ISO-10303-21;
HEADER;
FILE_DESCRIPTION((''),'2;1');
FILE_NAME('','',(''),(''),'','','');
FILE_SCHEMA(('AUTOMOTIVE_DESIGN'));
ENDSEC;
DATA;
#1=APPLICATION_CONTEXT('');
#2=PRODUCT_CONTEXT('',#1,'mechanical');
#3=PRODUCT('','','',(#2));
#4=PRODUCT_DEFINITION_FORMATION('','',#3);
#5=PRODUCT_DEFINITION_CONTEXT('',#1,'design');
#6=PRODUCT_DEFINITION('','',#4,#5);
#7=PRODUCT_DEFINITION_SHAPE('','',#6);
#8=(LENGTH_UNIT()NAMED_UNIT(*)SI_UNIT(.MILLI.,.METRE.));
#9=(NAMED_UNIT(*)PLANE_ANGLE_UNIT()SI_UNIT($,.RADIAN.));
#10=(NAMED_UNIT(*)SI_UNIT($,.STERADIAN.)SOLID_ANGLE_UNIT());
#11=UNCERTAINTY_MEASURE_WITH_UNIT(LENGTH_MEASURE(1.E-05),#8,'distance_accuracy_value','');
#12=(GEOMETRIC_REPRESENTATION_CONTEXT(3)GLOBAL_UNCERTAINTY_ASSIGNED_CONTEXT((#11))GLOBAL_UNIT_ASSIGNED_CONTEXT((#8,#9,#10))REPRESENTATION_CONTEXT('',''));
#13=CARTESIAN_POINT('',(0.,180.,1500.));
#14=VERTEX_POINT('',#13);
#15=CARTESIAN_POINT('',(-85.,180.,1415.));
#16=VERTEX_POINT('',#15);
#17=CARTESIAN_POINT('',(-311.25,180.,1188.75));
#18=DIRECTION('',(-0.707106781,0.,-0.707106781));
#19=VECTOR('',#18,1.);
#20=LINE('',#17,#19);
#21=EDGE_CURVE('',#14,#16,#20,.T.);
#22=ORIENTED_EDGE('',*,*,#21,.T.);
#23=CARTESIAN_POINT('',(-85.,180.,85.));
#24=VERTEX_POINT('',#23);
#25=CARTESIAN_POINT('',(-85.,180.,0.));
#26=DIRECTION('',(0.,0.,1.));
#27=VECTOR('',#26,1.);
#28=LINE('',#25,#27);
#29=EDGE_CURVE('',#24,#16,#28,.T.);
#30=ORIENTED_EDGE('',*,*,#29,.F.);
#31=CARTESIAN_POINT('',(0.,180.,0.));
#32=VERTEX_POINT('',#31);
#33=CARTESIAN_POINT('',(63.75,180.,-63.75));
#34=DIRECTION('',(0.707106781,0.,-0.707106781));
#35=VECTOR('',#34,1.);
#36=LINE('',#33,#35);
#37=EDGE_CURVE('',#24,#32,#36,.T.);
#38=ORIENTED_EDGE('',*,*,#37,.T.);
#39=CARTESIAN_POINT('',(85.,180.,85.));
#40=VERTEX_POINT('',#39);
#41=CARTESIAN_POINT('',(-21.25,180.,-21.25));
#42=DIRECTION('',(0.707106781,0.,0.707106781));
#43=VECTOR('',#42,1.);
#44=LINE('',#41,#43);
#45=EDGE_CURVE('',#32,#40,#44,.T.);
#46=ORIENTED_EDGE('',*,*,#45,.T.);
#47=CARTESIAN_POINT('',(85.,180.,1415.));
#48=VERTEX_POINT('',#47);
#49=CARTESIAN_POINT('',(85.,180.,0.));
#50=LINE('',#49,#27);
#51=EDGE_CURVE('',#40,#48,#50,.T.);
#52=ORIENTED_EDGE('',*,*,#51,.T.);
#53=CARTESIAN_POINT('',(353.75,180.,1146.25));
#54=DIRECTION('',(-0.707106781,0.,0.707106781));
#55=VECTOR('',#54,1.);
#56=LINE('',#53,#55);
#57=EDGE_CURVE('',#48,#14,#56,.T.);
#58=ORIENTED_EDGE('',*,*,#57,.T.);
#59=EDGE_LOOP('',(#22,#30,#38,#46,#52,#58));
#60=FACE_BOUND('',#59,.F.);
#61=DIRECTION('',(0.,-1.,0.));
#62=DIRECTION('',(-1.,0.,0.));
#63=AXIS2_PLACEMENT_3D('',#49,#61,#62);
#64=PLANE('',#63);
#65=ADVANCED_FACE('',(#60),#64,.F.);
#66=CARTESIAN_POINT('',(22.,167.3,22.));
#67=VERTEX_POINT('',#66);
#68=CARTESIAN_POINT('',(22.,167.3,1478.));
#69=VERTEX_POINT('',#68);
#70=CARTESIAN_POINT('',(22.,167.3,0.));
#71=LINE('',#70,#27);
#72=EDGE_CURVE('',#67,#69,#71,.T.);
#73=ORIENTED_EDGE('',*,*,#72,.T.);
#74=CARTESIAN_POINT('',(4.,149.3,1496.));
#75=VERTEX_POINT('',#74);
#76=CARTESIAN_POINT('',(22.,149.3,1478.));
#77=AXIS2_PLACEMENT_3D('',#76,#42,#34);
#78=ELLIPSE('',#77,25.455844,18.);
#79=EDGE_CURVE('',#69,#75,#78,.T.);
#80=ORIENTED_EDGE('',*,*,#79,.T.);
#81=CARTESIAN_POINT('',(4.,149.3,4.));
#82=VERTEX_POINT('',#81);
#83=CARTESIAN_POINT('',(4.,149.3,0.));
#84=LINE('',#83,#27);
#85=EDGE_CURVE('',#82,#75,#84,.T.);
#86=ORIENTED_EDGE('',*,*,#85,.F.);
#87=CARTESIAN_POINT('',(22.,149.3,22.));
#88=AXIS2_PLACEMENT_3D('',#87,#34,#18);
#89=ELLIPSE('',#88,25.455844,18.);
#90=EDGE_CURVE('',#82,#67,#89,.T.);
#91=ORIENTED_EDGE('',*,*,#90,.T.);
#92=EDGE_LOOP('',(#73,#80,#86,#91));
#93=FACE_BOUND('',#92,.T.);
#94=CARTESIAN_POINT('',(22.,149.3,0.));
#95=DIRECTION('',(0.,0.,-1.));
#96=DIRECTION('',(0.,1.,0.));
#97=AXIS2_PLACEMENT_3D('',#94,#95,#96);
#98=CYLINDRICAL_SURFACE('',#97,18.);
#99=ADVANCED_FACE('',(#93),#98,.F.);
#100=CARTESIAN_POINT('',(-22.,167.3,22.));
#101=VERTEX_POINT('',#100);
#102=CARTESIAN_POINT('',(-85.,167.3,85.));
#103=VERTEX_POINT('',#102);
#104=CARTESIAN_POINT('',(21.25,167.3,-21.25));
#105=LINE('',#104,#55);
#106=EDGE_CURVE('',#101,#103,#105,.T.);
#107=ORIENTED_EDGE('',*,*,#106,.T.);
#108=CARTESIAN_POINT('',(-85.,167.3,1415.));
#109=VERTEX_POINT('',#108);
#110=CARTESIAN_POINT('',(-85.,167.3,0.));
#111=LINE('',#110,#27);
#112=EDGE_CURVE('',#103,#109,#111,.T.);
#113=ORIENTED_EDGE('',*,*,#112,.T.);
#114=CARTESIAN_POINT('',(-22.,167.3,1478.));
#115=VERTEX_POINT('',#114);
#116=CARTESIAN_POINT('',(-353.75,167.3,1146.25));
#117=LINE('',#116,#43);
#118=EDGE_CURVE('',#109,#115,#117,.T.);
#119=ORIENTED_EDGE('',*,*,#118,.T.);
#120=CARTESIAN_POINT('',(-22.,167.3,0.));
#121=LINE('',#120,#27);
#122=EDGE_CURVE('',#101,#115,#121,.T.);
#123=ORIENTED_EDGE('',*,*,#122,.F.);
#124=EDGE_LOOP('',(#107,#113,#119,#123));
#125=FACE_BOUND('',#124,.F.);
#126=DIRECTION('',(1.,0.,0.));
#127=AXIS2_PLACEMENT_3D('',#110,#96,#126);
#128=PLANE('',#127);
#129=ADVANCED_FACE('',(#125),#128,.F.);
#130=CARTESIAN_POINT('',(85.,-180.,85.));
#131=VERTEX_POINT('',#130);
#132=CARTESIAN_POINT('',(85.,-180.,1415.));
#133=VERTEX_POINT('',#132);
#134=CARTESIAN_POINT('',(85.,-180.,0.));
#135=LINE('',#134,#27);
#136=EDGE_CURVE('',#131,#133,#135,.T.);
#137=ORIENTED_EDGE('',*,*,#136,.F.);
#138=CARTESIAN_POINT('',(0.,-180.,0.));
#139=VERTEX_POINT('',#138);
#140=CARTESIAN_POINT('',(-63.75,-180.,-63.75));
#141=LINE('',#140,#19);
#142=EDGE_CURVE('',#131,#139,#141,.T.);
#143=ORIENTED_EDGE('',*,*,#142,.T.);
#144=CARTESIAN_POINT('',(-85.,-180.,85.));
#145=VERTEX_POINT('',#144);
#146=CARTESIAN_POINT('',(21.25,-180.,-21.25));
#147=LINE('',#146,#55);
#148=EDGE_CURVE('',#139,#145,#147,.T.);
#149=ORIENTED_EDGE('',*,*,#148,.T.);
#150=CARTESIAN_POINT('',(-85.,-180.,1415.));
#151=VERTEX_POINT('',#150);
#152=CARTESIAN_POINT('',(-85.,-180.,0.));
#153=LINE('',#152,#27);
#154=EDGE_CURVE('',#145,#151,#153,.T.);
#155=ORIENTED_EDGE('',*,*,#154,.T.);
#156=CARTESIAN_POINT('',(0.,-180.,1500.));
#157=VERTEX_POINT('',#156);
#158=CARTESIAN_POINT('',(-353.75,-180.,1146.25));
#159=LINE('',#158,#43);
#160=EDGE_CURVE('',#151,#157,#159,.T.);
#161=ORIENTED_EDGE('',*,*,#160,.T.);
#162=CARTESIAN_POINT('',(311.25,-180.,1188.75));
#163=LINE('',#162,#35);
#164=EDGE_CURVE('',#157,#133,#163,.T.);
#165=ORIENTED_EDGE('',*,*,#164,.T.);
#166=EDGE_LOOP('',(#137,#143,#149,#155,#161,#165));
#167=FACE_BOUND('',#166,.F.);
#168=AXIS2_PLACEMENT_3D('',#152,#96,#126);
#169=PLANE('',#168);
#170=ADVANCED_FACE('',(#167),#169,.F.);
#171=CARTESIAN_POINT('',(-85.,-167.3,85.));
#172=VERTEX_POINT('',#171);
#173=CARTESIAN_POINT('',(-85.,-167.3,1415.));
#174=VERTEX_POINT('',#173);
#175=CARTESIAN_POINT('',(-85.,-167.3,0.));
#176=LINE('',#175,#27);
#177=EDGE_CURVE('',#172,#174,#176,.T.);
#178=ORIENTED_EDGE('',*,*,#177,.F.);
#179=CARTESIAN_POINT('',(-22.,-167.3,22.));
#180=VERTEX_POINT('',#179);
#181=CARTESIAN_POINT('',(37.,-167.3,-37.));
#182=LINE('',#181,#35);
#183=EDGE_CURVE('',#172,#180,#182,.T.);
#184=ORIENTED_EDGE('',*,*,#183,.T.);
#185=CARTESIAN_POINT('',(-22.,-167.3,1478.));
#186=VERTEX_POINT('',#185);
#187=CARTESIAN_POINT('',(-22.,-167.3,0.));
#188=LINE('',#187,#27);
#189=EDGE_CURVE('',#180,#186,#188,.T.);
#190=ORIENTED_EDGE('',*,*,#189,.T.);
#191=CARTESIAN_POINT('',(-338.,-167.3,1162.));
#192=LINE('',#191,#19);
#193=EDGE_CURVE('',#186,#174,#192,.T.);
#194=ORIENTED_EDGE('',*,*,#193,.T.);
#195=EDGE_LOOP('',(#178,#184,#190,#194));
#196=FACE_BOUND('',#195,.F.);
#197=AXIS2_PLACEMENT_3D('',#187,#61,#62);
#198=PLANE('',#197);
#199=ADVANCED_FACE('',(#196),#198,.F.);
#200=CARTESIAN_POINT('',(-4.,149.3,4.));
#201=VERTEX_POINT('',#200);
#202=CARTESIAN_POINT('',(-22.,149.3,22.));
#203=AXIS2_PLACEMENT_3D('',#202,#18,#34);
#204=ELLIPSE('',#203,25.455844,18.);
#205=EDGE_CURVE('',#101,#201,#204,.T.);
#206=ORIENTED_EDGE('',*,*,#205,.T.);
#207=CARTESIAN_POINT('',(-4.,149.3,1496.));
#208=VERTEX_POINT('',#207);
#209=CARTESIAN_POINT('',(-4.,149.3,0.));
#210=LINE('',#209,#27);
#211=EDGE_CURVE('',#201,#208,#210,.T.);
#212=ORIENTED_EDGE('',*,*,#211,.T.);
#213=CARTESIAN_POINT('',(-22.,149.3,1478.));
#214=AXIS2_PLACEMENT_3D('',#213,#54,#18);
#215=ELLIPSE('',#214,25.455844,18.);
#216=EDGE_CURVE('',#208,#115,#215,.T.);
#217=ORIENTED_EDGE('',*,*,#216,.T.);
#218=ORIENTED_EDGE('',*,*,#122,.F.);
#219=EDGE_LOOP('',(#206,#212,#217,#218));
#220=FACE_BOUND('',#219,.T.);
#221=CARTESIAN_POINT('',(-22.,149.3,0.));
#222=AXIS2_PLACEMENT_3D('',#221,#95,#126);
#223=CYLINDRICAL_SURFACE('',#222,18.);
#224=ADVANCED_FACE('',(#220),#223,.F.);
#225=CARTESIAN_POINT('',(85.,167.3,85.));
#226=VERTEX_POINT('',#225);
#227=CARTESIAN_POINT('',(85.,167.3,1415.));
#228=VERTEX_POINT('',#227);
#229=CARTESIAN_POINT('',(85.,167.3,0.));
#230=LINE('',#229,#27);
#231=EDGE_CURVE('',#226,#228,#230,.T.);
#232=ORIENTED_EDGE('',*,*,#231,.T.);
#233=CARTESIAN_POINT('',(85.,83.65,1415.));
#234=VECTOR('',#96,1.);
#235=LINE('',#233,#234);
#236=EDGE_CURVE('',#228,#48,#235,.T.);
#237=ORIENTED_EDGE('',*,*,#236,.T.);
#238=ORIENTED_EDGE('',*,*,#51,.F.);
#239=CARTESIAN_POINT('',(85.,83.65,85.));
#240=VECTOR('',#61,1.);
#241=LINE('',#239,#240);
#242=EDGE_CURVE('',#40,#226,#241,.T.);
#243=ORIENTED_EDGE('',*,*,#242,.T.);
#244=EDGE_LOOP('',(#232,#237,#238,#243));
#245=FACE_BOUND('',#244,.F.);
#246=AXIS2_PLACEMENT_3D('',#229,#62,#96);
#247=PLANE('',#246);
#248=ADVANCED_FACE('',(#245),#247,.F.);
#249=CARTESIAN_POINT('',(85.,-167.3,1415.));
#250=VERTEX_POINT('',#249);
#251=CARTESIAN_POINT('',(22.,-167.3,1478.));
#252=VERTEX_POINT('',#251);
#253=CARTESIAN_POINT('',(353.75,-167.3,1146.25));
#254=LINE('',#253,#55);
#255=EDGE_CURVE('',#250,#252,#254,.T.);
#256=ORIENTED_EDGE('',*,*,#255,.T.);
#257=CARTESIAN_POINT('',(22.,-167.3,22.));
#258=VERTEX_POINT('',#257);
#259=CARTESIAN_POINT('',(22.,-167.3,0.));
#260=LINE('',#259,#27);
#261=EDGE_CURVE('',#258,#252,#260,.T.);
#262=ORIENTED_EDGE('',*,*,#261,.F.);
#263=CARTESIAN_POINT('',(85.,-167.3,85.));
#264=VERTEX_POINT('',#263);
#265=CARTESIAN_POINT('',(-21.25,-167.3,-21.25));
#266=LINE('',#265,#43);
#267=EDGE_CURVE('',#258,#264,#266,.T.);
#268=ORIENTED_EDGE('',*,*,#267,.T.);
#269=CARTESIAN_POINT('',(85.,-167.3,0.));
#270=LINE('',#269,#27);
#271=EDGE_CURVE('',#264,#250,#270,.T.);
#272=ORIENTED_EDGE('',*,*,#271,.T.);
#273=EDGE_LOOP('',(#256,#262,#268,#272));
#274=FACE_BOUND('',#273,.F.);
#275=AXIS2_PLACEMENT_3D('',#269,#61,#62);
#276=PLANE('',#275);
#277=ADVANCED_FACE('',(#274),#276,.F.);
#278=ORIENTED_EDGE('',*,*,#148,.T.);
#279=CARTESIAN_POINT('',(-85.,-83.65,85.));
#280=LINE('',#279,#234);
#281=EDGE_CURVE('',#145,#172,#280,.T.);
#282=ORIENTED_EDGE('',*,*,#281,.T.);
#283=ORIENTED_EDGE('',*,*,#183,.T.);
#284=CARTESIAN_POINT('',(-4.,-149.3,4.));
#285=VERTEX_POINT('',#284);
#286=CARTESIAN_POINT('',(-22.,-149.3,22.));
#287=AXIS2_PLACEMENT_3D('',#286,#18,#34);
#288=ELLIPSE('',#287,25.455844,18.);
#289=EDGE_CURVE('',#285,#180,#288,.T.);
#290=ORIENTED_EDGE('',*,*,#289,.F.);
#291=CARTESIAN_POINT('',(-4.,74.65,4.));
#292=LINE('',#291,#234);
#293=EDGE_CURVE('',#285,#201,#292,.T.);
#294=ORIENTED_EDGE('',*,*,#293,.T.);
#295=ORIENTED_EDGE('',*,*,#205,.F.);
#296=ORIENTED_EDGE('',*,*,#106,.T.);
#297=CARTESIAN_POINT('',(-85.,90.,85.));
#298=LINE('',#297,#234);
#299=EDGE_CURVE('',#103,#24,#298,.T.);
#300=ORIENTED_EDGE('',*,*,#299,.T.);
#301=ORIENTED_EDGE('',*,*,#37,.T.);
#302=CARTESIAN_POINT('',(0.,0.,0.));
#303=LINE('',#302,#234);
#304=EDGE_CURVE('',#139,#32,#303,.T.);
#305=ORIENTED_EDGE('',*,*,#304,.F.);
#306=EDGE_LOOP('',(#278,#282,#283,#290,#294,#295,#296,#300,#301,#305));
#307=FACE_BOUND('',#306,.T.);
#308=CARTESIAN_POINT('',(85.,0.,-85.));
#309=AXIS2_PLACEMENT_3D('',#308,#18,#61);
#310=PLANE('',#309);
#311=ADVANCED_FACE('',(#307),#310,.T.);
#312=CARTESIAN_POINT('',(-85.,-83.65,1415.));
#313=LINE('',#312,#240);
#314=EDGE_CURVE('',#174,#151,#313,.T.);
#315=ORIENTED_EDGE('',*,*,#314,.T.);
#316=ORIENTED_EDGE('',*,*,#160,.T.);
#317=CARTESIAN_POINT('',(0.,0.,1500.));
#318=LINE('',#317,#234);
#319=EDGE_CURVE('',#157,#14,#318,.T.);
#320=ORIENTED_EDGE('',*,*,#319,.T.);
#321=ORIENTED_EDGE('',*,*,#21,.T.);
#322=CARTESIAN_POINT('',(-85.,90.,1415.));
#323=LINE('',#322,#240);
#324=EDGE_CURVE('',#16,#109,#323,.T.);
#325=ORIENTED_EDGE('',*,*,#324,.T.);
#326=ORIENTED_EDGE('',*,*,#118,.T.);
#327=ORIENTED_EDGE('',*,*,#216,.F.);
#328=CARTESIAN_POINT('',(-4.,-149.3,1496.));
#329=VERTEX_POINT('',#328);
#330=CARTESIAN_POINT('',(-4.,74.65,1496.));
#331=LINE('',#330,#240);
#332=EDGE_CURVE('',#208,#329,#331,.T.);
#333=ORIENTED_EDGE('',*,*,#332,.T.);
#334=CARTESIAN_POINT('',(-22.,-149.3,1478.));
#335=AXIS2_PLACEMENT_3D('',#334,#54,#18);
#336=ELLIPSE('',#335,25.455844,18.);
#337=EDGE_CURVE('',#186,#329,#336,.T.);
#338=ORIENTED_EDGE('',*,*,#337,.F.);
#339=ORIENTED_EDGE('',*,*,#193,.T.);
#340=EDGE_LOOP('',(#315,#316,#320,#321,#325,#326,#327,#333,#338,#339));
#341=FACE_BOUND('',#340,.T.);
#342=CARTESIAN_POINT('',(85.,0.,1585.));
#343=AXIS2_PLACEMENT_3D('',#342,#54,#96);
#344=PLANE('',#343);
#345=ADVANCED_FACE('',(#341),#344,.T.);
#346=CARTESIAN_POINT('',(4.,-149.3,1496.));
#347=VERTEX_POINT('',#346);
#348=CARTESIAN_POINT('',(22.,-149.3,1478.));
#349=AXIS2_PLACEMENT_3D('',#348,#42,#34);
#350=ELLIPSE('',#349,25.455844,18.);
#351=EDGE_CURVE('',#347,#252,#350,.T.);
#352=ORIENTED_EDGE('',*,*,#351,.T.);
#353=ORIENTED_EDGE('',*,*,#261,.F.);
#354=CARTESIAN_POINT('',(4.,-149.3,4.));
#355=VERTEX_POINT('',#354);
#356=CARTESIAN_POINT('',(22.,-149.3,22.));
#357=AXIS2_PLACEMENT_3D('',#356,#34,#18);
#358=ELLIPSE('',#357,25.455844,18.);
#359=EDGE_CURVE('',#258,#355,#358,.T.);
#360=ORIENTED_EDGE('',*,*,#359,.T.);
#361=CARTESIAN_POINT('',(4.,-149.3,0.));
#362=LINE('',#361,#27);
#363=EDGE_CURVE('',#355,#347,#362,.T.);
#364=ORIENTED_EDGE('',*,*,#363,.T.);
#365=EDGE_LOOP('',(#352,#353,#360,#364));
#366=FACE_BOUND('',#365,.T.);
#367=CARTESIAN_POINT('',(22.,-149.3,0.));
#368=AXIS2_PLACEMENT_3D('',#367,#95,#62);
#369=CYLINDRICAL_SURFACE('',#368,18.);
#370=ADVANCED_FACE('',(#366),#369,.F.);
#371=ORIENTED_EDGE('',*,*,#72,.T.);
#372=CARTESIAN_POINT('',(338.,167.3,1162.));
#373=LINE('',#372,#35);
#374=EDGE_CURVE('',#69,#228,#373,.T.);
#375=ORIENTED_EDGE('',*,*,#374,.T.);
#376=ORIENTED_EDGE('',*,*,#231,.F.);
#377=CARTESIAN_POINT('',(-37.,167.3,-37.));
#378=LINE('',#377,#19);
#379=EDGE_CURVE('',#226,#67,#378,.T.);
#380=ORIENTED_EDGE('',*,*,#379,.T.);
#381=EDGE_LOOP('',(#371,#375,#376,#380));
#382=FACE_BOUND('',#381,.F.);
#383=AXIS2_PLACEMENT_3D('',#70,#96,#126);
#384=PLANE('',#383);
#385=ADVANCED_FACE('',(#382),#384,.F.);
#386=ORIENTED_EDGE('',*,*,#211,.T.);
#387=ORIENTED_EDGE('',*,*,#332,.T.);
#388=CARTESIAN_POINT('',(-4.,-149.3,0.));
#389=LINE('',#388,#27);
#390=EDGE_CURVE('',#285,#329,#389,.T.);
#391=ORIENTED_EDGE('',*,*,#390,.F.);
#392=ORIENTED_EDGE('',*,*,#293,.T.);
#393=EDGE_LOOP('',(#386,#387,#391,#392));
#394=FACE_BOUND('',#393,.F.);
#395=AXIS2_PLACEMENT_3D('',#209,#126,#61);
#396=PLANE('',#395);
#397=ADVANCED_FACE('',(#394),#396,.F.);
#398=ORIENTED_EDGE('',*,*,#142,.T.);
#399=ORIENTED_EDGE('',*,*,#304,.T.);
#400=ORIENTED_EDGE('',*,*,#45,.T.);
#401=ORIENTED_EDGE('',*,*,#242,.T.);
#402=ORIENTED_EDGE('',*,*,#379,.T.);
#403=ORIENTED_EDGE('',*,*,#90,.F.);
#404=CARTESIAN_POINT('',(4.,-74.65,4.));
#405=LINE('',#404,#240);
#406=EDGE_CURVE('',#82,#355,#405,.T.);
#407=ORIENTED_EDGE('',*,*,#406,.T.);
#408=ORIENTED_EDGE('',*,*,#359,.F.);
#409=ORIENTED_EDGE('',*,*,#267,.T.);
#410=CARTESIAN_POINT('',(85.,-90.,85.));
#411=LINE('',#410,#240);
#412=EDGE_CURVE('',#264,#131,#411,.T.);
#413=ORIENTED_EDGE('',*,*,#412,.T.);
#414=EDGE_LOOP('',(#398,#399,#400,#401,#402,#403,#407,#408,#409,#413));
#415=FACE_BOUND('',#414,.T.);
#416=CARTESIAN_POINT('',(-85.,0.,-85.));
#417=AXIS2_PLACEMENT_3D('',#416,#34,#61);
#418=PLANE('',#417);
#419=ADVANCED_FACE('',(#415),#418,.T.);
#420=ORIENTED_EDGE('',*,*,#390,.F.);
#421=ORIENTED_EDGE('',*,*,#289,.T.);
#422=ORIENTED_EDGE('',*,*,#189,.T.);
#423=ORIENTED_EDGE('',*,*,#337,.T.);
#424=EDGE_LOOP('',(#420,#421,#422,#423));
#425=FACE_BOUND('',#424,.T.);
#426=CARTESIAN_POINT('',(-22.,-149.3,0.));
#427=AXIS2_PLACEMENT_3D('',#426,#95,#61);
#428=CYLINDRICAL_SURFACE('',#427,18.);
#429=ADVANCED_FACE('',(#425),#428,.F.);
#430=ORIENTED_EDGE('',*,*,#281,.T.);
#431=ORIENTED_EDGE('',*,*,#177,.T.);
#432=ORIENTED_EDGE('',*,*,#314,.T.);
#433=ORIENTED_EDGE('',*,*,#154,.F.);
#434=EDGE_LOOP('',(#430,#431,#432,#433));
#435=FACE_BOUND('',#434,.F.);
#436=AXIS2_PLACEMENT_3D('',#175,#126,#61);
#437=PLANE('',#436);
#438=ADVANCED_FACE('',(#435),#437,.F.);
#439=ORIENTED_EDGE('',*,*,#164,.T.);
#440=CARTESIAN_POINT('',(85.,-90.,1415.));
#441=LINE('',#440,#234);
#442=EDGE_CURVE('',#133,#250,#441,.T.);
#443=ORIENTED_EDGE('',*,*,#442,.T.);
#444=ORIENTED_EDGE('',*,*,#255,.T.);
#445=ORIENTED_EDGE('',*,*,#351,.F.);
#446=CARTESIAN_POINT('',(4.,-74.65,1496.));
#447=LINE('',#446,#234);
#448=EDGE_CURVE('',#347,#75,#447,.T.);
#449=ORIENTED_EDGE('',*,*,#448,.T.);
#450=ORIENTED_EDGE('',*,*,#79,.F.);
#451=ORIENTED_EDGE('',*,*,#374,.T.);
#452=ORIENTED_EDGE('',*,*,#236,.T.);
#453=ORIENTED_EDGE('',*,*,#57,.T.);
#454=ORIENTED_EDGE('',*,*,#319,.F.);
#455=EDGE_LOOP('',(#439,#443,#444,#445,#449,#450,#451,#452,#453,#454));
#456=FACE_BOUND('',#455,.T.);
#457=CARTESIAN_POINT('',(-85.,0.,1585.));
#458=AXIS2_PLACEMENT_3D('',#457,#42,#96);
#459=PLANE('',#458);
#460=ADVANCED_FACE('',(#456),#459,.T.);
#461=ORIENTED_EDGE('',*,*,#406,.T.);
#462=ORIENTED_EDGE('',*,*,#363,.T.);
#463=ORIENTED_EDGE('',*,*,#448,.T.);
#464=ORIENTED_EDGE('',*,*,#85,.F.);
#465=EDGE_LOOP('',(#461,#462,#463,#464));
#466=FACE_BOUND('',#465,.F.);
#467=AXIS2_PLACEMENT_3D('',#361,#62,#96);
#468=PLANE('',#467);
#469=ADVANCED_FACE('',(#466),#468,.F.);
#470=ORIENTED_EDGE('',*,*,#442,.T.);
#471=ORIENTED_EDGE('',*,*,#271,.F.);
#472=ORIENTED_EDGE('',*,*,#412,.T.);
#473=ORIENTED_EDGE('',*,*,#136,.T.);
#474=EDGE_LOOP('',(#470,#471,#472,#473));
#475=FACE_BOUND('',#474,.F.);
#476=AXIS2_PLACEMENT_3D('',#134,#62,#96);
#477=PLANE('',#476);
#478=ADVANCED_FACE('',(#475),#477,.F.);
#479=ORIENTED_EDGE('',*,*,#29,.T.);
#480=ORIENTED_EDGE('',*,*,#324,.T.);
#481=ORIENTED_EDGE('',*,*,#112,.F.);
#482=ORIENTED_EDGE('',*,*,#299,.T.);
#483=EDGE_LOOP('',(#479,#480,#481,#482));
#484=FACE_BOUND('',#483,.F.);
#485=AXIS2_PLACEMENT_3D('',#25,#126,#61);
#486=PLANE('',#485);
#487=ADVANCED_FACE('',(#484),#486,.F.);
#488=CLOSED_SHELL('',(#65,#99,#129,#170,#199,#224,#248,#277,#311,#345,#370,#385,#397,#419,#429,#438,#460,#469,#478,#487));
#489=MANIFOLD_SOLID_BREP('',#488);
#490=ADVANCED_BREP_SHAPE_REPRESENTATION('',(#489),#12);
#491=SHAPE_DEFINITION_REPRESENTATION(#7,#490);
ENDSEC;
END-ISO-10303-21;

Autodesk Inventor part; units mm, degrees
ref_plane "Start Plane" through (0, 0, 0) normal (0, 0, 1) x (1, 0, 0)
ref_plane "End Plane" through (0, 0, 1500) normal (0, 0, 1) x (1, 0, 0)
sketch "Sketch" plane through (0, 0, 0) normal (0, 0, 1) x (1, 0, 0)
  line L0 (-85, 167.3) -> (-22, 167.3)
  line L1 (-85, 180) -> (-85, 167.3)
  line L2 (85, 180) -> (-85, 180)
  line L3 (85, 167.3) -> (85, 180)
  line L4 (22, 167.3) -> (85, 167.3)
  line L5 (4, -149.3) -> (4, 149.3)
  line L6 (85, -167.3) -> (22, -167.3)
  line L7 (85, -180) -> (85, -167.3)
  line L8 (-85, -167.3) -> (-85, -180)
  line L9 (-22, -167.3) -> (-85, -167.3)
  line L10 (-4, 149.3) -> (-4, -149.3)
  line L11 (0, -252) -> (0, 252) construction
  line L12 (-4, -167.3) -> (4, -167.3) construction
  arc A0 (-22, -167.3) -> (-4, -149.3) centre (-22, -149.3) ccw
  arc A1 (-4, 149.3) -> (-22, 167.3) centre (-22, 149.3) ccw
  arc A2 (22, 167.3) -> (4, 149.3) centre (22, 149.3) ccw
  arc A3 (4, -149.3) -> (22, -167.3) centre (22, -149.3) ccw
  line L13 (-119, 0) -> (119, 0) construction
  line L14 (-85, -180) -> (85, -180)
  point P0 (-4, 167.3)
  point P1 (4, 167.3)
  point P2 (0, 0)
  point P3 (0, -167.3)
  point P4 (0, 0)
  dimension "d1" = 360
  dimension "d3" = 12.7
  dimension "d5" = 8
  dimension "d7" = 170
  dimension "d13" = 18
  dimension "d14" = 180
  dimension "d15" = 85
extrude "Body" add sketch "Sketch" along normal up to surface (1500 mm away) from surface at 0
sketch "Sketch3" plane through (0, 0, 0) normal (0, 0, 1) x (1, 0, 0)
  line L0 (0, 0) -> (10, 0)
ref_plane "Work Plane3" through (0, 0, 0) normal (0, -1, 0) x (1, 0, 0)
ref_plane "Work Plane4" through (-85, 0, 1585) normal (0.7071, 0, 0.7071) x (0.7071, 0, -0.7071)
split "Split1" plane through (-85, 0, 1585) removes the side toward (0.7071, 0, 0.7071)
ref_plane "Work Plane5" through (-85, 0, -85) normal (0.7071, 0, -0.7071) x (-0.7071, 0, -0.7071)
split "Split2" plane through (-85, 0, -85) removes the side toward (0.7071, 0, -0.7071)
ref_plane "Work Plane6" through (85, 0, -85) normal (-0.7071, 0, -0.7071) x (-0.7071, 0, 0.7071)
split "Split3" plane through (85, 0, -85) removes the side toward (-0.7071, 0, -0.7071)
ref_plane "Work Plane7" through (85, 0, 1585) normal (-0.7071, 0, 0.7071) x (0.7071, 0, 0.7071)
split "Split4" plane through (85, 0, 1585) removes the side toward (-0.7071, 0, 0.7071)
sketch "Sketch4" plane through (0, 0, 0) normal (0, -1, 0) x (1, 0, 0)
  line L0 (-2, 0) -> (12, 0) projected
  line L1 (-2, 1500) -> (12, 1500) projected
  dimension "d19" = 1500
equation "\"d1\" = ParH"
equation "\"d3\" = t2"
equation "\"d5\" = t1"
equation "\"d7\" = b"
equation "\"d13\" = R1"
equation "\"d14\" = 0.5 * d1"
equation "\"d15\" = 0.5 * d7"
equation "\"d8\" = G_L"
equation "\"b\" = 170"
equation "\"ParH\" = 360"
equation "\"R1\" = 18"
equation "\"G_L\" = d19"
equation "\"t1\" = 8"
equation "\"t2\" = 12.7"
equation "\"G_OFFSET_START\" = 0"
equation "\"G_OFFSET_END\" = 0"
properties part number "DIN 1025 - IPE 360-1500" material "Steel, Mild"
